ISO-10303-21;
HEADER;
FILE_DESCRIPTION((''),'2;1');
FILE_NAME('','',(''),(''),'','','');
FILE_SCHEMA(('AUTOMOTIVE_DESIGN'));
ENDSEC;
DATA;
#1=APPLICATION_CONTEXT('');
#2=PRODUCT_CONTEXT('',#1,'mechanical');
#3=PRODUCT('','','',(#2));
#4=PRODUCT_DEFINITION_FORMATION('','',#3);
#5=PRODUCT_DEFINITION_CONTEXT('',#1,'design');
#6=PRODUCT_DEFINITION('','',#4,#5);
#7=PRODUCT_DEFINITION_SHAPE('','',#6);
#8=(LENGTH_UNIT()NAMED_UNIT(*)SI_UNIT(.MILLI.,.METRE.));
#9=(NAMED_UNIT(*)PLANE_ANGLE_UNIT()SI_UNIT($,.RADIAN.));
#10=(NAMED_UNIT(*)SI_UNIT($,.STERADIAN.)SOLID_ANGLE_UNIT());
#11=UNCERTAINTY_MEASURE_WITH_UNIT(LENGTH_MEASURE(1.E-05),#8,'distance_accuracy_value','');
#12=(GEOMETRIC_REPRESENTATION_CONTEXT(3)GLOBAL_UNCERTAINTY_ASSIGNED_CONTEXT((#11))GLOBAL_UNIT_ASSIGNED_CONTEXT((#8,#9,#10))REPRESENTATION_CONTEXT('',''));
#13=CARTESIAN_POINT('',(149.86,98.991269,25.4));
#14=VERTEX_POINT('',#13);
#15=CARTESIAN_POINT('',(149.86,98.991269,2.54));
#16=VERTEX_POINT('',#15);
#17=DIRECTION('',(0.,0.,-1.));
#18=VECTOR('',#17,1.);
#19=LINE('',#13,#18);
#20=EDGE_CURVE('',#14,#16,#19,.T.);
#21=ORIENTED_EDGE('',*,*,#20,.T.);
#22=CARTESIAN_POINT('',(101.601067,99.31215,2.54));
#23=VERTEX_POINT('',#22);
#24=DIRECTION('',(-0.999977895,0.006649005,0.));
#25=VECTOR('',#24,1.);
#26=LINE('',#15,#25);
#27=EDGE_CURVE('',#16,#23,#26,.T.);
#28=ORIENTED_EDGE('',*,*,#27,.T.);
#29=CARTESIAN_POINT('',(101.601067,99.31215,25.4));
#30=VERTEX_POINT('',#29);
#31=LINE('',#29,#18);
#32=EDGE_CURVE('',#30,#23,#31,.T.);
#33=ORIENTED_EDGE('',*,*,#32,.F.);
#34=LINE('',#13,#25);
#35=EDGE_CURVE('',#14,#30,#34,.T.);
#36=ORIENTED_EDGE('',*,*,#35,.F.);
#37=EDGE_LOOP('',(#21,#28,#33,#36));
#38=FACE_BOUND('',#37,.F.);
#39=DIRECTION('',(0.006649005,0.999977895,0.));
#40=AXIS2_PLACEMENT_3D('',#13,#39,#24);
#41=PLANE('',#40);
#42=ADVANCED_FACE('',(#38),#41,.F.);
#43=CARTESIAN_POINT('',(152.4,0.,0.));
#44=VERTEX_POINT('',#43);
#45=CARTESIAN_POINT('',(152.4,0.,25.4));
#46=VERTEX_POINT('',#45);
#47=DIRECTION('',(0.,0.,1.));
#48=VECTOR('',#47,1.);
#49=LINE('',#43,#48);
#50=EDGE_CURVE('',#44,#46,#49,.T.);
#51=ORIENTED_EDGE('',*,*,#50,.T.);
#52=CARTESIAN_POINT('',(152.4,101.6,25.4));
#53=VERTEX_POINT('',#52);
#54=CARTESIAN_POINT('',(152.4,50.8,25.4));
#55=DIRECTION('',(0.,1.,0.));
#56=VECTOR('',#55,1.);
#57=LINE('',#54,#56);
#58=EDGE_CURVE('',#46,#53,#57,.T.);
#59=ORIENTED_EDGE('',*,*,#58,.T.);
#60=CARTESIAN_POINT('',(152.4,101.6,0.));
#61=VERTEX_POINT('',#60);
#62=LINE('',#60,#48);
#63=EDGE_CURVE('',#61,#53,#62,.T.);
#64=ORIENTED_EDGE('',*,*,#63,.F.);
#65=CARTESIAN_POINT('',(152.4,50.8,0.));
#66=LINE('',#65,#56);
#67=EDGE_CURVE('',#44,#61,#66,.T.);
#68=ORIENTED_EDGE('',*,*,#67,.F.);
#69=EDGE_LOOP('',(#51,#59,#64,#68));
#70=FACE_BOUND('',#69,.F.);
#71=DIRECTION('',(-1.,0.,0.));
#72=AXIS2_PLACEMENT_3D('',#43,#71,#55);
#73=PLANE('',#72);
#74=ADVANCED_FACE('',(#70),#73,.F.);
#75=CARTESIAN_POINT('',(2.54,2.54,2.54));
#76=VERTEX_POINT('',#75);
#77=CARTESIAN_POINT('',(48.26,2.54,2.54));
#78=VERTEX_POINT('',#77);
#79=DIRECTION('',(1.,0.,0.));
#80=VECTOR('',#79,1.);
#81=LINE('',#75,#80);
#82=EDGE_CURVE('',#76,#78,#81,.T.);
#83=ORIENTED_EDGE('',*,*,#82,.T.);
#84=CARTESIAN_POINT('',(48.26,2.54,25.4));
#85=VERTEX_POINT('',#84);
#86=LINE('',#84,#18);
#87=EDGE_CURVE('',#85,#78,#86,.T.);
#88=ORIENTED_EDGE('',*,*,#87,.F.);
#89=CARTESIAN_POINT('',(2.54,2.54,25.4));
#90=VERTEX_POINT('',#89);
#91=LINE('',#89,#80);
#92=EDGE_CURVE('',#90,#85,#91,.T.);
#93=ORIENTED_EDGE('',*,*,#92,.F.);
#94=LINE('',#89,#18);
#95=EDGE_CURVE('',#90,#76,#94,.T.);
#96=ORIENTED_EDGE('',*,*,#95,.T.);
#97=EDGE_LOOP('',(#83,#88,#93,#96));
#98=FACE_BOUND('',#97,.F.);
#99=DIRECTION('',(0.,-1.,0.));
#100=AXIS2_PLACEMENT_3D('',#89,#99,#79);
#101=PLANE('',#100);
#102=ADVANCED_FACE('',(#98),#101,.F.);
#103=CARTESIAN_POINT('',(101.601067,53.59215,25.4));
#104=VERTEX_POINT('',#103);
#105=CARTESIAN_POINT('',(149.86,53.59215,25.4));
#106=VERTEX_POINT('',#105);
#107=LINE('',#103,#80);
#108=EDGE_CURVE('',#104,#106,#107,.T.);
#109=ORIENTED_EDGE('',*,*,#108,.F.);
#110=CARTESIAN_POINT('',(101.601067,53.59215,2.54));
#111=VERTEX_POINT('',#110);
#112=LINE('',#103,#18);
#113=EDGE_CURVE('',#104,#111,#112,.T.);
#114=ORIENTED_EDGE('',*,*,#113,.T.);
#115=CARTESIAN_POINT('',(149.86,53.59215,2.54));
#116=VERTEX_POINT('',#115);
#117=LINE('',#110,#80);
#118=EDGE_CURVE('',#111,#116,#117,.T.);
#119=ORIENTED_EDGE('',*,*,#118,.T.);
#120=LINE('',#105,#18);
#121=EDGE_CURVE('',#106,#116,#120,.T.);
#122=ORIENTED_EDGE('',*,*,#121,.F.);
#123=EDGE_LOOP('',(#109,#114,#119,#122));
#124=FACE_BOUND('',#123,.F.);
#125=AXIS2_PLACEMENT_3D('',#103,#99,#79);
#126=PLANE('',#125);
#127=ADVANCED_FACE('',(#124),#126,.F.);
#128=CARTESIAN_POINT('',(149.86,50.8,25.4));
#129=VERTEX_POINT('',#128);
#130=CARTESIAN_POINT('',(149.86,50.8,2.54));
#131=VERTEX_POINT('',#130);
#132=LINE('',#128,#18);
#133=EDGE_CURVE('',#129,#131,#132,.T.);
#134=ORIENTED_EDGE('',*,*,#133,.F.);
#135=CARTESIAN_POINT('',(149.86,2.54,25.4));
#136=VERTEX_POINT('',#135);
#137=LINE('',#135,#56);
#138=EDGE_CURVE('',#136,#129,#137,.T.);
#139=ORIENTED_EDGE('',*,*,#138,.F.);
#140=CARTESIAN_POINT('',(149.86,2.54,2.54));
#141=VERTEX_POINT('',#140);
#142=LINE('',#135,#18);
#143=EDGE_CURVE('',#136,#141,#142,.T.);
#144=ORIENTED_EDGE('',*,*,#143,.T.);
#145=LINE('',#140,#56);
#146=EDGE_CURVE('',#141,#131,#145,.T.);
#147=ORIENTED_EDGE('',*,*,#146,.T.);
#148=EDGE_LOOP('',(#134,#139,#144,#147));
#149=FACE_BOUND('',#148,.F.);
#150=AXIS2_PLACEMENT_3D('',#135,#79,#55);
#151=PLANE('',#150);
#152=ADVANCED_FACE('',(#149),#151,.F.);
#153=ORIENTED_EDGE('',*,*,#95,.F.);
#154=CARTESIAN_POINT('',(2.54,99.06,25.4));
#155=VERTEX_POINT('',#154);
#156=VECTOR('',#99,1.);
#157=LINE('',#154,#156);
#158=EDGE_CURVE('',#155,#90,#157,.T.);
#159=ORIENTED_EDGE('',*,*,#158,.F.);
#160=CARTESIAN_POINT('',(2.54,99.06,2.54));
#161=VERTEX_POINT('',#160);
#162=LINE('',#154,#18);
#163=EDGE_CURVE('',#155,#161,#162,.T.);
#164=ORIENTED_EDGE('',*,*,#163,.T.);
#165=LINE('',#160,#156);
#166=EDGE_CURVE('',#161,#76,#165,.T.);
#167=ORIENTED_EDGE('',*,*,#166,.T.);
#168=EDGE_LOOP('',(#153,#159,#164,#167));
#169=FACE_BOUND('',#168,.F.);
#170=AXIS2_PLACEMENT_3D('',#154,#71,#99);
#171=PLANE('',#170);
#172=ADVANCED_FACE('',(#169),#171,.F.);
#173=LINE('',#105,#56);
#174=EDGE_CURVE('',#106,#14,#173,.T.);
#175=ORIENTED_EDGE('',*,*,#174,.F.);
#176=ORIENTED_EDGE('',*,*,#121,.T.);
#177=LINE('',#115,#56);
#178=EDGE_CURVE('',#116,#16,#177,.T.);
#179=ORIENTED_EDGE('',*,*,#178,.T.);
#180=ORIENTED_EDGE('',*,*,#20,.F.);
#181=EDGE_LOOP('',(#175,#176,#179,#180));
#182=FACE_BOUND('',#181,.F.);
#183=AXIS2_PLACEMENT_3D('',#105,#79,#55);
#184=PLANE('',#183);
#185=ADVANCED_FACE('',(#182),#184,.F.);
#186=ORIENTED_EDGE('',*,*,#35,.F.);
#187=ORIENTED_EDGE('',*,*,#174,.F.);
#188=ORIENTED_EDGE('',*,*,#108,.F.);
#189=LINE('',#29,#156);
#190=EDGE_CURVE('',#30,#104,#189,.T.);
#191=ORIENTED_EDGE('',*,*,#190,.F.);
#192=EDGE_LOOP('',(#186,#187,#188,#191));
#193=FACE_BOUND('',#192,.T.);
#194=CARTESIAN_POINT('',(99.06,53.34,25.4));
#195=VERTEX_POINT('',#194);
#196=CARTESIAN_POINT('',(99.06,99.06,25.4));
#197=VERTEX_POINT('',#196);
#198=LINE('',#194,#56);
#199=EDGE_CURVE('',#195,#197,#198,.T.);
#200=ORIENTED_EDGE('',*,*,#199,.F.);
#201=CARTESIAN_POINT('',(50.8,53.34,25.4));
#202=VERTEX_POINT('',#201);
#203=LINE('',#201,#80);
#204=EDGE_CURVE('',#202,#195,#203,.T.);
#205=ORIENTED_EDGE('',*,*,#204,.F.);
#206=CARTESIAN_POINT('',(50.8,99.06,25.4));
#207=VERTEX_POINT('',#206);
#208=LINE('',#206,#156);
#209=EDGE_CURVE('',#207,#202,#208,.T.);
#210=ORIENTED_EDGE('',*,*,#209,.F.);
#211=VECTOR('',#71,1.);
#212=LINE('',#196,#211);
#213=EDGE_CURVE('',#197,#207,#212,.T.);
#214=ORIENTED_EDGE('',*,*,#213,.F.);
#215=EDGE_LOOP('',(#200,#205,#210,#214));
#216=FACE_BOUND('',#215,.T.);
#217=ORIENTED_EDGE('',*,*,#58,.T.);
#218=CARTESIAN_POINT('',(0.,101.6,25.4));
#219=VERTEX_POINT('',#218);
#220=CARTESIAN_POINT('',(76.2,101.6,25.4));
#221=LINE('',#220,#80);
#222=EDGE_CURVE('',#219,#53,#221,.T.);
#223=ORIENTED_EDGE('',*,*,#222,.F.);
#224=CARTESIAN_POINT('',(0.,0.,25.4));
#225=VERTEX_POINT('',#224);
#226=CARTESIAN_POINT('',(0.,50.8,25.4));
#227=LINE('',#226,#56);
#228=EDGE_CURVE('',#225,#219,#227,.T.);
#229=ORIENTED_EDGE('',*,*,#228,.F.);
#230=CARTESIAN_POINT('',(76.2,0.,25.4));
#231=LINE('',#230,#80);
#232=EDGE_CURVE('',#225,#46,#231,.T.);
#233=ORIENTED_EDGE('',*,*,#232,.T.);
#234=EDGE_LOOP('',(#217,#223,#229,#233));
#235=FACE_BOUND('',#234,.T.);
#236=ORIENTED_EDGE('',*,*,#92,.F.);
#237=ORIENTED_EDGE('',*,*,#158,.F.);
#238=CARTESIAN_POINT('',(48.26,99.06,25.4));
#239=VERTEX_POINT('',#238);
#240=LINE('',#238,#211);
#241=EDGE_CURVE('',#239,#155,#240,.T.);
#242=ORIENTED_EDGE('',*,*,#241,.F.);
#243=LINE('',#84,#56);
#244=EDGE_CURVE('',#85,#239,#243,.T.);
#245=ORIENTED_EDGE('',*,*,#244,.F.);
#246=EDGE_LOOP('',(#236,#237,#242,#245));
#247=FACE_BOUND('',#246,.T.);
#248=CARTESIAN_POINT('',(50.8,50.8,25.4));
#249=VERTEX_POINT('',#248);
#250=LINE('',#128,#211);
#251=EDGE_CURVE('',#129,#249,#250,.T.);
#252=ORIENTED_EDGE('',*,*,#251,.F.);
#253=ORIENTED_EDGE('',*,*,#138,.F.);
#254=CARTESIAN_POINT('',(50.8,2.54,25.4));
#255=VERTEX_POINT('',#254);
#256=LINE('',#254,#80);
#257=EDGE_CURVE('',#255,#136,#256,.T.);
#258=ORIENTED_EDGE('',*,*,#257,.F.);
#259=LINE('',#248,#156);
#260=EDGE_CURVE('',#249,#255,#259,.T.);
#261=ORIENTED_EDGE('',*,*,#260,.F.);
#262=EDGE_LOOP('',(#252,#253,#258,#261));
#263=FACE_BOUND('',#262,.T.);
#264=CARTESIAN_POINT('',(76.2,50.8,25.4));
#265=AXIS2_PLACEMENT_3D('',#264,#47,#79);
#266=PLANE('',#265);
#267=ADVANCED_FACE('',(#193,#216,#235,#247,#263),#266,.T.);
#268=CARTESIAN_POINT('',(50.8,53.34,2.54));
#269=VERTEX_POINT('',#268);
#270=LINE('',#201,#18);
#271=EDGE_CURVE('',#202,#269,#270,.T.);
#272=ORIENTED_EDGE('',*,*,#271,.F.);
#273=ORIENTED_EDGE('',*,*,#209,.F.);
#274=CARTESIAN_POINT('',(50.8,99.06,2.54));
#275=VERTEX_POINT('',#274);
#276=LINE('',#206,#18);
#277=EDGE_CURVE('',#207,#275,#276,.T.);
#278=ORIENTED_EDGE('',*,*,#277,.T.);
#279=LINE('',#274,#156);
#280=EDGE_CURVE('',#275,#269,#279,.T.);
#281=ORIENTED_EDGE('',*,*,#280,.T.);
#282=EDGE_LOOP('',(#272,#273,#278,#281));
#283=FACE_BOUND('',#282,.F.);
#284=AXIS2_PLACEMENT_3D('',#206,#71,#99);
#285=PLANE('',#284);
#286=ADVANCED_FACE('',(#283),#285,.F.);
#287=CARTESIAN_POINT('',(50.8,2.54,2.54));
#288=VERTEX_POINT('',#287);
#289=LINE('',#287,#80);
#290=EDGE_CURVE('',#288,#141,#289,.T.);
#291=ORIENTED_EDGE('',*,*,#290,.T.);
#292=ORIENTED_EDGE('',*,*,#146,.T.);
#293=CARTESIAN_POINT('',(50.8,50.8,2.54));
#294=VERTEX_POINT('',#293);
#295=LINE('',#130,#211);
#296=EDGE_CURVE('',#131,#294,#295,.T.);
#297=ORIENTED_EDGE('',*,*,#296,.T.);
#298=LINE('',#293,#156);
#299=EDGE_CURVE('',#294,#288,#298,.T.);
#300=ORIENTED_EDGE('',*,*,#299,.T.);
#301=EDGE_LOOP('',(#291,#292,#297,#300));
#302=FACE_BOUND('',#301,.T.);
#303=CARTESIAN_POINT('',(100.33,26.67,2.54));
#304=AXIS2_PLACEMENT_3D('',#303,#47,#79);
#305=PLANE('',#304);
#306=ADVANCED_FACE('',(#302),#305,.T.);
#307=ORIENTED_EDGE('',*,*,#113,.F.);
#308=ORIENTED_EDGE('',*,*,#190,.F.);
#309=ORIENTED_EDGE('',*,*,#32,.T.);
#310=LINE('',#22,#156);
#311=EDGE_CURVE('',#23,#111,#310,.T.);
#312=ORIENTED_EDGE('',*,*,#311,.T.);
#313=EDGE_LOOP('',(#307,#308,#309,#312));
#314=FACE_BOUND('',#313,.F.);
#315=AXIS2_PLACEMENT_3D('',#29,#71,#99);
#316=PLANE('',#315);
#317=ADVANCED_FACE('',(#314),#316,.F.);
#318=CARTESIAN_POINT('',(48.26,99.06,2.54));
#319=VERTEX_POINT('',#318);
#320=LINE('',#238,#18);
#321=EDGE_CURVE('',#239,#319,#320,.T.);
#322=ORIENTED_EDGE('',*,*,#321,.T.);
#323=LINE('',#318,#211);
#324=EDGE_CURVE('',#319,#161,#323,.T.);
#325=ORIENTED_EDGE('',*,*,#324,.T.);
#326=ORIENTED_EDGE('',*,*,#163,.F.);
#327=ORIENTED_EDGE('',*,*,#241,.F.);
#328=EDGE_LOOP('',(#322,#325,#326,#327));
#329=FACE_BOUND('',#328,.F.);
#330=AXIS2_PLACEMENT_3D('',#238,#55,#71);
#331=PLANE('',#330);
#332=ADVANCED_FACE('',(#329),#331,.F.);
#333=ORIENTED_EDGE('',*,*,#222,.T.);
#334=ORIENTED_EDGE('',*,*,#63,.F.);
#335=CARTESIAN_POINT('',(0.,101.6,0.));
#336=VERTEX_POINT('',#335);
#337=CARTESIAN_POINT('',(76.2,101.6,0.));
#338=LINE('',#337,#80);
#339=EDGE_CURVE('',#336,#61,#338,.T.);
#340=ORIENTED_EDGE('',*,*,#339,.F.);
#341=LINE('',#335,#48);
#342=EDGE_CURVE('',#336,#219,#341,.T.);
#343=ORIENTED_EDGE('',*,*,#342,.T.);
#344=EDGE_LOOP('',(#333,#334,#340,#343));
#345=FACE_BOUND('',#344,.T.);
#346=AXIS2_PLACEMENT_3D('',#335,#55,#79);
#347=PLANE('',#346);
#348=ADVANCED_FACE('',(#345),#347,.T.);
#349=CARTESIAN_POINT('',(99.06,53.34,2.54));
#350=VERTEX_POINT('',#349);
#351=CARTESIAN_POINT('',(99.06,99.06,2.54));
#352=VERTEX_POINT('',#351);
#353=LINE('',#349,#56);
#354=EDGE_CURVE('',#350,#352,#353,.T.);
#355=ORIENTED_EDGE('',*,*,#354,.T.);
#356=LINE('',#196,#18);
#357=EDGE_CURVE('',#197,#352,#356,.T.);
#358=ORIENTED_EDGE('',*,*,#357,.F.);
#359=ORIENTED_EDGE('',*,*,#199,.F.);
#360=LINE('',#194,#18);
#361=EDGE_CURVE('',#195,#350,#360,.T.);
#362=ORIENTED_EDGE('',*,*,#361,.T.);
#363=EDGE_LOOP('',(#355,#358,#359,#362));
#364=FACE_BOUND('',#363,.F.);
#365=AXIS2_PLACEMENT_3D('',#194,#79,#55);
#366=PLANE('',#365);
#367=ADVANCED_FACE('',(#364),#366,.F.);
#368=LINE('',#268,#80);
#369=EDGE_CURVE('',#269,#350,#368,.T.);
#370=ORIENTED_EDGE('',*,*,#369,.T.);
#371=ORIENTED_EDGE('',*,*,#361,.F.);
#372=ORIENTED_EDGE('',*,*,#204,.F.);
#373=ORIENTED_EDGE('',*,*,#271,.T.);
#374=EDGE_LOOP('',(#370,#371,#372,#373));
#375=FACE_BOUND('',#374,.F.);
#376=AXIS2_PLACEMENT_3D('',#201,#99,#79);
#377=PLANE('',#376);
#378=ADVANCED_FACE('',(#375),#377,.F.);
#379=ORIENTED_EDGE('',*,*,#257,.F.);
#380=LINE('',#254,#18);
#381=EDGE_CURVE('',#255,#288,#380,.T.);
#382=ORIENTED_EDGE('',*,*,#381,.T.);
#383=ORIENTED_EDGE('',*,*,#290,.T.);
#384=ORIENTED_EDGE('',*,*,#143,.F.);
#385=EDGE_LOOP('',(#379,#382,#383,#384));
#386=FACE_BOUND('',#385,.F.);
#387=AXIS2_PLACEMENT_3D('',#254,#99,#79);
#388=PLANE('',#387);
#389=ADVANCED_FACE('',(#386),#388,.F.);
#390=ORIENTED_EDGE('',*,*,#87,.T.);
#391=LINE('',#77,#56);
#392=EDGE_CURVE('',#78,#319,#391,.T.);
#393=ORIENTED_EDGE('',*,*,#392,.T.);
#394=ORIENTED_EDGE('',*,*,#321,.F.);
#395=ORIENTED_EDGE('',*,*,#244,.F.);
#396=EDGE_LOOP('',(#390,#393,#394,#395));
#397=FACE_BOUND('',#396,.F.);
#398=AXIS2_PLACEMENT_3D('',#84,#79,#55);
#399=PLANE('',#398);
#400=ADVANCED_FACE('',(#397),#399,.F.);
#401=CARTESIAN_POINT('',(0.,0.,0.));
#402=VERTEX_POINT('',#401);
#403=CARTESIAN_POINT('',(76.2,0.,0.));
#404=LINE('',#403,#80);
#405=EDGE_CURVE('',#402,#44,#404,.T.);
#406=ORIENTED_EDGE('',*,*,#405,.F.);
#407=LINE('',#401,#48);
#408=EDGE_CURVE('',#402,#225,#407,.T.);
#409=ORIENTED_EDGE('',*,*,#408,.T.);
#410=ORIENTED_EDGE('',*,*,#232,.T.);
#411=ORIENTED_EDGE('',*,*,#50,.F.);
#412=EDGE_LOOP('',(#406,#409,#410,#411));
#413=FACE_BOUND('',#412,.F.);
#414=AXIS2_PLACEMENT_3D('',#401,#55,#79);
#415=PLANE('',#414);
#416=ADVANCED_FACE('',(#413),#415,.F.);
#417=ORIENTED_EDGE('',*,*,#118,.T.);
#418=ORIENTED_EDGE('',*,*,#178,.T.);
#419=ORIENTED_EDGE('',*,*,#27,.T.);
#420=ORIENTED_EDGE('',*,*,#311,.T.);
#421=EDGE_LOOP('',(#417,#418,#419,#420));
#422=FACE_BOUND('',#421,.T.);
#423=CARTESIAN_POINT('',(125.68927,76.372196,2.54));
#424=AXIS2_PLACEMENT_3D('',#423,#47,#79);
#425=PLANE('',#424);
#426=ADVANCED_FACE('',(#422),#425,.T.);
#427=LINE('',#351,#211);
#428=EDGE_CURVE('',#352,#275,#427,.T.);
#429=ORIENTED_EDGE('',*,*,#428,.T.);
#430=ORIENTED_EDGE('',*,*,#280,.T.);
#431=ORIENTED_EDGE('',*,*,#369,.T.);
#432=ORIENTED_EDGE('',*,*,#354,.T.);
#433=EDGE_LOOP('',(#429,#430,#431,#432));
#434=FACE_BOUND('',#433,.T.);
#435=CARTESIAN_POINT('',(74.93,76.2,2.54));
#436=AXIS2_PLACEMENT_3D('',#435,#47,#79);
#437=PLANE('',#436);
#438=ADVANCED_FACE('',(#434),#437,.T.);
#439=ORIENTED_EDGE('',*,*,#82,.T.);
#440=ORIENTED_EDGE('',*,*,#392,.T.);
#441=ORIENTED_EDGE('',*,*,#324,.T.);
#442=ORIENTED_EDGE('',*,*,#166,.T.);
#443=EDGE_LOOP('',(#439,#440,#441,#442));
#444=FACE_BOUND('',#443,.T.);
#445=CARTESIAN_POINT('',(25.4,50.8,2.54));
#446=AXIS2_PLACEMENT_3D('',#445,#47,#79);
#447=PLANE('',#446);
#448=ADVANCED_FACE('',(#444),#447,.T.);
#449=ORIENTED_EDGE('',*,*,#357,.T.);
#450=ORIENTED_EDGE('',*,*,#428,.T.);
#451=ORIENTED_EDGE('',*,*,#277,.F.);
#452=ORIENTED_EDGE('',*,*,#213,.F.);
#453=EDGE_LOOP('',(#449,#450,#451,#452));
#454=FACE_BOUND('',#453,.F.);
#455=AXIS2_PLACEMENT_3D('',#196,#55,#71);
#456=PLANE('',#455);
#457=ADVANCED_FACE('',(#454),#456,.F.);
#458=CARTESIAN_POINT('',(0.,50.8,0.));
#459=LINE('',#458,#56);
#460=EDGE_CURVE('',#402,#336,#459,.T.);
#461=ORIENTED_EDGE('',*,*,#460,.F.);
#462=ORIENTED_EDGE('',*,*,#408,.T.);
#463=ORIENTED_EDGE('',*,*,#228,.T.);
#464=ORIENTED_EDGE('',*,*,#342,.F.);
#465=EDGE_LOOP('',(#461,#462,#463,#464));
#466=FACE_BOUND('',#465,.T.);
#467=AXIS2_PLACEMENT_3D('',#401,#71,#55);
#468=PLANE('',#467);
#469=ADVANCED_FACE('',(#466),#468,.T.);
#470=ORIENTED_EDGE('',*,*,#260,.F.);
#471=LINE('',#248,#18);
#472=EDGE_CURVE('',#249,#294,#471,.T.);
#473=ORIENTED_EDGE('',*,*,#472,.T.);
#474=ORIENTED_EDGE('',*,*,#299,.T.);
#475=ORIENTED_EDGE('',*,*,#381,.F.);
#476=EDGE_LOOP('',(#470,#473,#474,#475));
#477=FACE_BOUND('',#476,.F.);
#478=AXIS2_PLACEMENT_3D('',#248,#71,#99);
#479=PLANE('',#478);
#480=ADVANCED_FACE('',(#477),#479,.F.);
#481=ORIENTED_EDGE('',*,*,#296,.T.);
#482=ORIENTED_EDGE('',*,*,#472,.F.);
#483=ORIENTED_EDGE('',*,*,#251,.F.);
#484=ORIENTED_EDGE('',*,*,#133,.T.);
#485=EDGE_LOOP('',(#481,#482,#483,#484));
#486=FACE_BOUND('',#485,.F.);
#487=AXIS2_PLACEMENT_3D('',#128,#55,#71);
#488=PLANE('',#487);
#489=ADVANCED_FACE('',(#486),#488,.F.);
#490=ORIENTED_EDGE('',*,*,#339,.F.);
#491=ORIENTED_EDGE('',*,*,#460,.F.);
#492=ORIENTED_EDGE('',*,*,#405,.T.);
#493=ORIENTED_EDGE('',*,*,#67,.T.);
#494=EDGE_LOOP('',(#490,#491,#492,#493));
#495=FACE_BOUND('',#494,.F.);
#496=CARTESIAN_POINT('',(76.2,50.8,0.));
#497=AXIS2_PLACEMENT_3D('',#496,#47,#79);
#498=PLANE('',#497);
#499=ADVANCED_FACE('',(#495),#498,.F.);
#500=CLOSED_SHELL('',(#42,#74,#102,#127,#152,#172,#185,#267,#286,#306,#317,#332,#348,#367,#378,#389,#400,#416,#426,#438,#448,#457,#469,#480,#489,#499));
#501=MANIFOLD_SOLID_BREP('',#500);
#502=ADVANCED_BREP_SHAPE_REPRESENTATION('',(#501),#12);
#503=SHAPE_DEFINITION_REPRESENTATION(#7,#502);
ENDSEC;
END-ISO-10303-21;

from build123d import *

# Parameters (mm, degrees)
F0_W     = 152.4
F0_H     = 101.6
F1_DEPTH = 25.4
F3_DEPTH = 22.86
F5_DEPTH = 22.86
F7_DEPTH = 22.86
F9_DEPTH = 22.86


with BuildPart() as f1:
    # F0 (on Top) → F1 (new body)
    with BuildSketch(Plane.XY):
        with Locations((76.2, 50.8)):
            Rectangle(F0_W, F0_H)
    extrude(amount=F1_DEPTH)

    # F2 (on face) → F3 (cut)
    with BuildSketch(Plane.XY.offset(25.4)):
        Polygon((22.016909, 99.06), (2.54, 99.06), (2.54, 62.21069), (2.54, 2.54), (48.26, 2.54), (48.26, 99.06), align=None)
    extrude(amount=-F3_DEPTH, mode=Mode.SUBTRACT)

    # F4 (on face) → F5 (cut)
    with BuildSketch(Plane.XY.offset(25.4)):
        Polygon((67.743346, 99.06), (50.8, 99.06), (50.8, 76.2), (50.8, 53.34), (99.06, 53.34), (99.06, 99.06), align=None)
    extrude(amount=-F5_DEPTH, mode=Mode.SUBTRACT)

    # F6 (on face) → F7 (cut)
    with BuildSketch(Plane.XY.offset(25.4)):
        Polygon((74.93, 50.8), (50.8, 50.8), (50.8, 26.67), (50.8, 2.54), (149.86, 2.54), (149.86, 50.8), align=None)
    extrude(amount=-F7_DEPTH, mode=Mode.SUBTRACT)

    # F8 (on face) → F9 (cut)
    with BuildSketch(Plane.XY.offset(25.4)):
        Polygon((149.86, 98.991269), (101.601067, 99.31215), (101.601067, 53.59215), (149.86, 53.59215), align=None)
    extrude(amount=-F9_DEPTH, mode=Mode.SUBTRACT)


solid = f1.part
